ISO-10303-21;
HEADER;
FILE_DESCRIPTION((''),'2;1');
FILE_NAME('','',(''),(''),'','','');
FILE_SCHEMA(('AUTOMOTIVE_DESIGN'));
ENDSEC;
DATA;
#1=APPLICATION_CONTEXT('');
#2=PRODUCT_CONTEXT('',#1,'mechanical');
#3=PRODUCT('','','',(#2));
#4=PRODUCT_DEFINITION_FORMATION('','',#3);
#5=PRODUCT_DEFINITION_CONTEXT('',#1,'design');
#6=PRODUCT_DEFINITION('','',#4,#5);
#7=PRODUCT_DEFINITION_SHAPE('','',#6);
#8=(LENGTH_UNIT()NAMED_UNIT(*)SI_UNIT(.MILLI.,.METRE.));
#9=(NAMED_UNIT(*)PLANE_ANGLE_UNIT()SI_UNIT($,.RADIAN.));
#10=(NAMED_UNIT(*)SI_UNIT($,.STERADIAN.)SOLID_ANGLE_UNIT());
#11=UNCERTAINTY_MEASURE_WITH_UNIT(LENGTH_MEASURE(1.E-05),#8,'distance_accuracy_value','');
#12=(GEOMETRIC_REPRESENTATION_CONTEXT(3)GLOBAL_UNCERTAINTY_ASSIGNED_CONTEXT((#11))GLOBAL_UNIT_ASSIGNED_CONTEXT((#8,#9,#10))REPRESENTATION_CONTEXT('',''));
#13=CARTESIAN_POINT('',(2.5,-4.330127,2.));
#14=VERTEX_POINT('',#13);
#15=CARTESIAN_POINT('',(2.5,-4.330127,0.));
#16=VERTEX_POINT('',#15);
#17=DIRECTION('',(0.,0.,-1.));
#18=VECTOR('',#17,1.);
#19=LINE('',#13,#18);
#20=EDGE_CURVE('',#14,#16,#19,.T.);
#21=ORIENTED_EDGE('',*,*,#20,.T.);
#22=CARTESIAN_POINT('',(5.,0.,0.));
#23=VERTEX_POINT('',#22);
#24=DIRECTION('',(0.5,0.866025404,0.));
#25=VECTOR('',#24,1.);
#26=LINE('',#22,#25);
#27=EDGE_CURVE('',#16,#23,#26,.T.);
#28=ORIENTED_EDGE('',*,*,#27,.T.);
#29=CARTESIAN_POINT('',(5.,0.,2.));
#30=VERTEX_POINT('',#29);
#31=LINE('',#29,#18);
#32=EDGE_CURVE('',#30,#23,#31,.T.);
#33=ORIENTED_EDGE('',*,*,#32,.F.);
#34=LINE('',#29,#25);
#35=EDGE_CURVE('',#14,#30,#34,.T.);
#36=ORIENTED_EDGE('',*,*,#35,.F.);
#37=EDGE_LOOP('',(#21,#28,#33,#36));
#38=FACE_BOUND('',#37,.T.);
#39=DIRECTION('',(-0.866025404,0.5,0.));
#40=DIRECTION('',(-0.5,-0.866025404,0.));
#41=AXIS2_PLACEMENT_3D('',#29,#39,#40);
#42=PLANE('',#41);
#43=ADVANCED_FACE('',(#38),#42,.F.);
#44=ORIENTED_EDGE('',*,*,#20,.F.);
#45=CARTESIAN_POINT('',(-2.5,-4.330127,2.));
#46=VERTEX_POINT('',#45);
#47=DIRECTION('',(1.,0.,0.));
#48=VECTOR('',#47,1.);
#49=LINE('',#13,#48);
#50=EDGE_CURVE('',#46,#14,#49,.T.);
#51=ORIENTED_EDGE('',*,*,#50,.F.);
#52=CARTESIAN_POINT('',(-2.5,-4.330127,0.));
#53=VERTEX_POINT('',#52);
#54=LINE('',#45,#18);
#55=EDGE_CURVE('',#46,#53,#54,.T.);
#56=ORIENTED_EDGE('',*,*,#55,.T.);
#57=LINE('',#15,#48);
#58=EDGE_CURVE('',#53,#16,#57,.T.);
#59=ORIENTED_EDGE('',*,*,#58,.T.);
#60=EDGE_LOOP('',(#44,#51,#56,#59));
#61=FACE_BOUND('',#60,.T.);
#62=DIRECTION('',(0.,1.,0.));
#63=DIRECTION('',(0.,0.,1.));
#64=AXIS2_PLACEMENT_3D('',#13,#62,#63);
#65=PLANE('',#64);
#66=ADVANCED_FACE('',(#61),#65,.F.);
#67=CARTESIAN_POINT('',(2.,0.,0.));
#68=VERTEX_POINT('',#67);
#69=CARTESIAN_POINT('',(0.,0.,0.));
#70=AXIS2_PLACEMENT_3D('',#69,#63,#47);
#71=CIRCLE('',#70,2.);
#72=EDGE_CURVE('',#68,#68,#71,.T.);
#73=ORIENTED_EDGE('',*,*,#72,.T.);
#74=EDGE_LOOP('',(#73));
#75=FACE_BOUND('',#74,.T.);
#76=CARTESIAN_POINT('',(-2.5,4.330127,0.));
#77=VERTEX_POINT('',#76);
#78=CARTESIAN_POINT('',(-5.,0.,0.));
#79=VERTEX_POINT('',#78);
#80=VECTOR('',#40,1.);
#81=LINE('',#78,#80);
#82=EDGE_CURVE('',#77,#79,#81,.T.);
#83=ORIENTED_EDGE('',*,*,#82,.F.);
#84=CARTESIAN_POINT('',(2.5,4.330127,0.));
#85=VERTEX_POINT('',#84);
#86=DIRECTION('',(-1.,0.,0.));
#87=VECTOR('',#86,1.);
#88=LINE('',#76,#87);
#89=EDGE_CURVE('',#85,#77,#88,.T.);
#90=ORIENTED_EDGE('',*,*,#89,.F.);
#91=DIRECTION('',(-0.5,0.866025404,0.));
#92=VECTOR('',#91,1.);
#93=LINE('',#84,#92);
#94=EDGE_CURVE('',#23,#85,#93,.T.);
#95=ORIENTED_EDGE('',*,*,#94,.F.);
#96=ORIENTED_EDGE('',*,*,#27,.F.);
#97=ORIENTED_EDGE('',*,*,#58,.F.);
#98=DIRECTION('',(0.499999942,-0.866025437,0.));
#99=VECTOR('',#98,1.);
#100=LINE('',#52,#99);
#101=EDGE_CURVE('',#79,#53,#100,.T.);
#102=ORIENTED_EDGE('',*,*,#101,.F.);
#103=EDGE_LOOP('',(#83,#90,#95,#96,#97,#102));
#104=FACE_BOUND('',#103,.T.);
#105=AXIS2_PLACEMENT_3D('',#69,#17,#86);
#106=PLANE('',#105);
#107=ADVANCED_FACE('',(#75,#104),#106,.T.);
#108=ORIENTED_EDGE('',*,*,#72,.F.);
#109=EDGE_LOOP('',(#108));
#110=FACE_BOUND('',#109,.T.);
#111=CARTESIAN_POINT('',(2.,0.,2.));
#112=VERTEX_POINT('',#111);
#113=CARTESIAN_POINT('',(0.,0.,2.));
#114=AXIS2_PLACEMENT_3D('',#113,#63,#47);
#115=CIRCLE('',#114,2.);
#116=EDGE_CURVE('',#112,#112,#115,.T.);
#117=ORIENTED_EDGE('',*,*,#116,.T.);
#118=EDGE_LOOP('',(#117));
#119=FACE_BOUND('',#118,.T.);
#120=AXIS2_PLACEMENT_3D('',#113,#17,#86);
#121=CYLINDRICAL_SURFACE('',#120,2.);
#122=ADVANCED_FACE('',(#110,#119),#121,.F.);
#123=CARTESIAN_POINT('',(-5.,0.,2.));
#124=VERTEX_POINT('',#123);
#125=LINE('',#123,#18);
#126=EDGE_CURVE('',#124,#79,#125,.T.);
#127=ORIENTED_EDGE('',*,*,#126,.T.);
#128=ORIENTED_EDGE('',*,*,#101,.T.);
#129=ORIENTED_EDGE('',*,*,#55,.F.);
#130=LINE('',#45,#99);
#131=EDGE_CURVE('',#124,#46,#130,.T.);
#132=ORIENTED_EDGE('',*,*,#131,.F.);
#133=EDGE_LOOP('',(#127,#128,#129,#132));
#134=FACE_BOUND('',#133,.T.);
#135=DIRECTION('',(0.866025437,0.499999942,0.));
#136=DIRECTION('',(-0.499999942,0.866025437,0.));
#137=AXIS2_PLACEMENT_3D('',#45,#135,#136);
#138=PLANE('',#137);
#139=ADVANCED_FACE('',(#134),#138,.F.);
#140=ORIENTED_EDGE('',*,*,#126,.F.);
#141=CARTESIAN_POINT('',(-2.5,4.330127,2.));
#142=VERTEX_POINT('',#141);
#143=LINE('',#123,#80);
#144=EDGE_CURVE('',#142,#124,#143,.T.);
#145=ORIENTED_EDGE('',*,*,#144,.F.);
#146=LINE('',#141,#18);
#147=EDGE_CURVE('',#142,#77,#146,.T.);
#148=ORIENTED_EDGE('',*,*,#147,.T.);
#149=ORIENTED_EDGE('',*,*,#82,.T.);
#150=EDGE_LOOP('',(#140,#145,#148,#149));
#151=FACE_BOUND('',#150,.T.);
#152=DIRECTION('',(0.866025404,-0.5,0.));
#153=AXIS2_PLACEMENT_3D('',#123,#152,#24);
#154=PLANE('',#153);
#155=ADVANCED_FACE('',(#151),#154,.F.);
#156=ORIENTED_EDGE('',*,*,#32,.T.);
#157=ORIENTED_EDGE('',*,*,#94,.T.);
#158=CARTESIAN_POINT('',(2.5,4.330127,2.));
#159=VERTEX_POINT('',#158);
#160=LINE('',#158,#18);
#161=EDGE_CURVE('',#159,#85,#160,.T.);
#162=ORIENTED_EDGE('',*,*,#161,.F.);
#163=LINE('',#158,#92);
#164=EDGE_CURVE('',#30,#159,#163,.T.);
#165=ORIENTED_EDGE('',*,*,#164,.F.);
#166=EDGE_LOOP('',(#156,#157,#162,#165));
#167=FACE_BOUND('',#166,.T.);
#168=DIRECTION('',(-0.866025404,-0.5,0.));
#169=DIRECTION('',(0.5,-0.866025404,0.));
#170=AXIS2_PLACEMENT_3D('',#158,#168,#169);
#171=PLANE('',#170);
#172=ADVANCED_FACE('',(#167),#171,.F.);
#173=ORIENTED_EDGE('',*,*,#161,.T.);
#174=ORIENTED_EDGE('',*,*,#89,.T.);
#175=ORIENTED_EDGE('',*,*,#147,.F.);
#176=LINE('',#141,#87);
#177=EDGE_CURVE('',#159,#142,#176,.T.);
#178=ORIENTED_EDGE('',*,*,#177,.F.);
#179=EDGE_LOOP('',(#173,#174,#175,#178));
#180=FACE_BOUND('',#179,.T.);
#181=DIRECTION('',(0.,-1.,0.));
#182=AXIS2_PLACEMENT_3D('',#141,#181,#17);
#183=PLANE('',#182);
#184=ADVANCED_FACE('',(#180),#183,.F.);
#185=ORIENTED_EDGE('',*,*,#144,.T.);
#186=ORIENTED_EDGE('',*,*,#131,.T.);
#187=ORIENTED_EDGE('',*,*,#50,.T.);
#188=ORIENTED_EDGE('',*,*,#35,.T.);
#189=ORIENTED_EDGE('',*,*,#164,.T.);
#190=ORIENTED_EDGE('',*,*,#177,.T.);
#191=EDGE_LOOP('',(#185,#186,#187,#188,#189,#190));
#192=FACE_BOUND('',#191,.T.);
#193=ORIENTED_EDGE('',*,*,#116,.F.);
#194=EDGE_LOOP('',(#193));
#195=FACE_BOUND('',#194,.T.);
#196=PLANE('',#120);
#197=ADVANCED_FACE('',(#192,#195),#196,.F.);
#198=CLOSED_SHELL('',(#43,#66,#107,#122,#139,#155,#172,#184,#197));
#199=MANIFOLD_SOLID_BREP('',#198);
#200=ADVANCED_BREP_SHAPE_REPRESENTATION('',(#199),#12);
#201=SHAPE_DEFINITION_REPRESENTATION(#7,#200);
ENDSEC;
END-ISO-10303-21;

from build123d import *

# Parameters (mm, degrees)
ESQUISSE1_R        = 2
BOSS_EXTRU_1_DEPTH = 2


with BuildPart() as part:
    # Esquisse1 → Boss.-Extru.1 (new body)
    with BuildSketch(Plane.XY):
        Polygon((-5, 0), (-2.5, 4.330127019), (2.5, 4.330127019), (5, 0), (2.499999904, -4.330127185), (-2.500000288, -4.330127185), align=None)
        Circle(ESQUISSE1_R, mode=Mode.SUBTRACT)
    extrude(amount=BOSS_EXTRU_1_DEPTH)


solid = part.part
